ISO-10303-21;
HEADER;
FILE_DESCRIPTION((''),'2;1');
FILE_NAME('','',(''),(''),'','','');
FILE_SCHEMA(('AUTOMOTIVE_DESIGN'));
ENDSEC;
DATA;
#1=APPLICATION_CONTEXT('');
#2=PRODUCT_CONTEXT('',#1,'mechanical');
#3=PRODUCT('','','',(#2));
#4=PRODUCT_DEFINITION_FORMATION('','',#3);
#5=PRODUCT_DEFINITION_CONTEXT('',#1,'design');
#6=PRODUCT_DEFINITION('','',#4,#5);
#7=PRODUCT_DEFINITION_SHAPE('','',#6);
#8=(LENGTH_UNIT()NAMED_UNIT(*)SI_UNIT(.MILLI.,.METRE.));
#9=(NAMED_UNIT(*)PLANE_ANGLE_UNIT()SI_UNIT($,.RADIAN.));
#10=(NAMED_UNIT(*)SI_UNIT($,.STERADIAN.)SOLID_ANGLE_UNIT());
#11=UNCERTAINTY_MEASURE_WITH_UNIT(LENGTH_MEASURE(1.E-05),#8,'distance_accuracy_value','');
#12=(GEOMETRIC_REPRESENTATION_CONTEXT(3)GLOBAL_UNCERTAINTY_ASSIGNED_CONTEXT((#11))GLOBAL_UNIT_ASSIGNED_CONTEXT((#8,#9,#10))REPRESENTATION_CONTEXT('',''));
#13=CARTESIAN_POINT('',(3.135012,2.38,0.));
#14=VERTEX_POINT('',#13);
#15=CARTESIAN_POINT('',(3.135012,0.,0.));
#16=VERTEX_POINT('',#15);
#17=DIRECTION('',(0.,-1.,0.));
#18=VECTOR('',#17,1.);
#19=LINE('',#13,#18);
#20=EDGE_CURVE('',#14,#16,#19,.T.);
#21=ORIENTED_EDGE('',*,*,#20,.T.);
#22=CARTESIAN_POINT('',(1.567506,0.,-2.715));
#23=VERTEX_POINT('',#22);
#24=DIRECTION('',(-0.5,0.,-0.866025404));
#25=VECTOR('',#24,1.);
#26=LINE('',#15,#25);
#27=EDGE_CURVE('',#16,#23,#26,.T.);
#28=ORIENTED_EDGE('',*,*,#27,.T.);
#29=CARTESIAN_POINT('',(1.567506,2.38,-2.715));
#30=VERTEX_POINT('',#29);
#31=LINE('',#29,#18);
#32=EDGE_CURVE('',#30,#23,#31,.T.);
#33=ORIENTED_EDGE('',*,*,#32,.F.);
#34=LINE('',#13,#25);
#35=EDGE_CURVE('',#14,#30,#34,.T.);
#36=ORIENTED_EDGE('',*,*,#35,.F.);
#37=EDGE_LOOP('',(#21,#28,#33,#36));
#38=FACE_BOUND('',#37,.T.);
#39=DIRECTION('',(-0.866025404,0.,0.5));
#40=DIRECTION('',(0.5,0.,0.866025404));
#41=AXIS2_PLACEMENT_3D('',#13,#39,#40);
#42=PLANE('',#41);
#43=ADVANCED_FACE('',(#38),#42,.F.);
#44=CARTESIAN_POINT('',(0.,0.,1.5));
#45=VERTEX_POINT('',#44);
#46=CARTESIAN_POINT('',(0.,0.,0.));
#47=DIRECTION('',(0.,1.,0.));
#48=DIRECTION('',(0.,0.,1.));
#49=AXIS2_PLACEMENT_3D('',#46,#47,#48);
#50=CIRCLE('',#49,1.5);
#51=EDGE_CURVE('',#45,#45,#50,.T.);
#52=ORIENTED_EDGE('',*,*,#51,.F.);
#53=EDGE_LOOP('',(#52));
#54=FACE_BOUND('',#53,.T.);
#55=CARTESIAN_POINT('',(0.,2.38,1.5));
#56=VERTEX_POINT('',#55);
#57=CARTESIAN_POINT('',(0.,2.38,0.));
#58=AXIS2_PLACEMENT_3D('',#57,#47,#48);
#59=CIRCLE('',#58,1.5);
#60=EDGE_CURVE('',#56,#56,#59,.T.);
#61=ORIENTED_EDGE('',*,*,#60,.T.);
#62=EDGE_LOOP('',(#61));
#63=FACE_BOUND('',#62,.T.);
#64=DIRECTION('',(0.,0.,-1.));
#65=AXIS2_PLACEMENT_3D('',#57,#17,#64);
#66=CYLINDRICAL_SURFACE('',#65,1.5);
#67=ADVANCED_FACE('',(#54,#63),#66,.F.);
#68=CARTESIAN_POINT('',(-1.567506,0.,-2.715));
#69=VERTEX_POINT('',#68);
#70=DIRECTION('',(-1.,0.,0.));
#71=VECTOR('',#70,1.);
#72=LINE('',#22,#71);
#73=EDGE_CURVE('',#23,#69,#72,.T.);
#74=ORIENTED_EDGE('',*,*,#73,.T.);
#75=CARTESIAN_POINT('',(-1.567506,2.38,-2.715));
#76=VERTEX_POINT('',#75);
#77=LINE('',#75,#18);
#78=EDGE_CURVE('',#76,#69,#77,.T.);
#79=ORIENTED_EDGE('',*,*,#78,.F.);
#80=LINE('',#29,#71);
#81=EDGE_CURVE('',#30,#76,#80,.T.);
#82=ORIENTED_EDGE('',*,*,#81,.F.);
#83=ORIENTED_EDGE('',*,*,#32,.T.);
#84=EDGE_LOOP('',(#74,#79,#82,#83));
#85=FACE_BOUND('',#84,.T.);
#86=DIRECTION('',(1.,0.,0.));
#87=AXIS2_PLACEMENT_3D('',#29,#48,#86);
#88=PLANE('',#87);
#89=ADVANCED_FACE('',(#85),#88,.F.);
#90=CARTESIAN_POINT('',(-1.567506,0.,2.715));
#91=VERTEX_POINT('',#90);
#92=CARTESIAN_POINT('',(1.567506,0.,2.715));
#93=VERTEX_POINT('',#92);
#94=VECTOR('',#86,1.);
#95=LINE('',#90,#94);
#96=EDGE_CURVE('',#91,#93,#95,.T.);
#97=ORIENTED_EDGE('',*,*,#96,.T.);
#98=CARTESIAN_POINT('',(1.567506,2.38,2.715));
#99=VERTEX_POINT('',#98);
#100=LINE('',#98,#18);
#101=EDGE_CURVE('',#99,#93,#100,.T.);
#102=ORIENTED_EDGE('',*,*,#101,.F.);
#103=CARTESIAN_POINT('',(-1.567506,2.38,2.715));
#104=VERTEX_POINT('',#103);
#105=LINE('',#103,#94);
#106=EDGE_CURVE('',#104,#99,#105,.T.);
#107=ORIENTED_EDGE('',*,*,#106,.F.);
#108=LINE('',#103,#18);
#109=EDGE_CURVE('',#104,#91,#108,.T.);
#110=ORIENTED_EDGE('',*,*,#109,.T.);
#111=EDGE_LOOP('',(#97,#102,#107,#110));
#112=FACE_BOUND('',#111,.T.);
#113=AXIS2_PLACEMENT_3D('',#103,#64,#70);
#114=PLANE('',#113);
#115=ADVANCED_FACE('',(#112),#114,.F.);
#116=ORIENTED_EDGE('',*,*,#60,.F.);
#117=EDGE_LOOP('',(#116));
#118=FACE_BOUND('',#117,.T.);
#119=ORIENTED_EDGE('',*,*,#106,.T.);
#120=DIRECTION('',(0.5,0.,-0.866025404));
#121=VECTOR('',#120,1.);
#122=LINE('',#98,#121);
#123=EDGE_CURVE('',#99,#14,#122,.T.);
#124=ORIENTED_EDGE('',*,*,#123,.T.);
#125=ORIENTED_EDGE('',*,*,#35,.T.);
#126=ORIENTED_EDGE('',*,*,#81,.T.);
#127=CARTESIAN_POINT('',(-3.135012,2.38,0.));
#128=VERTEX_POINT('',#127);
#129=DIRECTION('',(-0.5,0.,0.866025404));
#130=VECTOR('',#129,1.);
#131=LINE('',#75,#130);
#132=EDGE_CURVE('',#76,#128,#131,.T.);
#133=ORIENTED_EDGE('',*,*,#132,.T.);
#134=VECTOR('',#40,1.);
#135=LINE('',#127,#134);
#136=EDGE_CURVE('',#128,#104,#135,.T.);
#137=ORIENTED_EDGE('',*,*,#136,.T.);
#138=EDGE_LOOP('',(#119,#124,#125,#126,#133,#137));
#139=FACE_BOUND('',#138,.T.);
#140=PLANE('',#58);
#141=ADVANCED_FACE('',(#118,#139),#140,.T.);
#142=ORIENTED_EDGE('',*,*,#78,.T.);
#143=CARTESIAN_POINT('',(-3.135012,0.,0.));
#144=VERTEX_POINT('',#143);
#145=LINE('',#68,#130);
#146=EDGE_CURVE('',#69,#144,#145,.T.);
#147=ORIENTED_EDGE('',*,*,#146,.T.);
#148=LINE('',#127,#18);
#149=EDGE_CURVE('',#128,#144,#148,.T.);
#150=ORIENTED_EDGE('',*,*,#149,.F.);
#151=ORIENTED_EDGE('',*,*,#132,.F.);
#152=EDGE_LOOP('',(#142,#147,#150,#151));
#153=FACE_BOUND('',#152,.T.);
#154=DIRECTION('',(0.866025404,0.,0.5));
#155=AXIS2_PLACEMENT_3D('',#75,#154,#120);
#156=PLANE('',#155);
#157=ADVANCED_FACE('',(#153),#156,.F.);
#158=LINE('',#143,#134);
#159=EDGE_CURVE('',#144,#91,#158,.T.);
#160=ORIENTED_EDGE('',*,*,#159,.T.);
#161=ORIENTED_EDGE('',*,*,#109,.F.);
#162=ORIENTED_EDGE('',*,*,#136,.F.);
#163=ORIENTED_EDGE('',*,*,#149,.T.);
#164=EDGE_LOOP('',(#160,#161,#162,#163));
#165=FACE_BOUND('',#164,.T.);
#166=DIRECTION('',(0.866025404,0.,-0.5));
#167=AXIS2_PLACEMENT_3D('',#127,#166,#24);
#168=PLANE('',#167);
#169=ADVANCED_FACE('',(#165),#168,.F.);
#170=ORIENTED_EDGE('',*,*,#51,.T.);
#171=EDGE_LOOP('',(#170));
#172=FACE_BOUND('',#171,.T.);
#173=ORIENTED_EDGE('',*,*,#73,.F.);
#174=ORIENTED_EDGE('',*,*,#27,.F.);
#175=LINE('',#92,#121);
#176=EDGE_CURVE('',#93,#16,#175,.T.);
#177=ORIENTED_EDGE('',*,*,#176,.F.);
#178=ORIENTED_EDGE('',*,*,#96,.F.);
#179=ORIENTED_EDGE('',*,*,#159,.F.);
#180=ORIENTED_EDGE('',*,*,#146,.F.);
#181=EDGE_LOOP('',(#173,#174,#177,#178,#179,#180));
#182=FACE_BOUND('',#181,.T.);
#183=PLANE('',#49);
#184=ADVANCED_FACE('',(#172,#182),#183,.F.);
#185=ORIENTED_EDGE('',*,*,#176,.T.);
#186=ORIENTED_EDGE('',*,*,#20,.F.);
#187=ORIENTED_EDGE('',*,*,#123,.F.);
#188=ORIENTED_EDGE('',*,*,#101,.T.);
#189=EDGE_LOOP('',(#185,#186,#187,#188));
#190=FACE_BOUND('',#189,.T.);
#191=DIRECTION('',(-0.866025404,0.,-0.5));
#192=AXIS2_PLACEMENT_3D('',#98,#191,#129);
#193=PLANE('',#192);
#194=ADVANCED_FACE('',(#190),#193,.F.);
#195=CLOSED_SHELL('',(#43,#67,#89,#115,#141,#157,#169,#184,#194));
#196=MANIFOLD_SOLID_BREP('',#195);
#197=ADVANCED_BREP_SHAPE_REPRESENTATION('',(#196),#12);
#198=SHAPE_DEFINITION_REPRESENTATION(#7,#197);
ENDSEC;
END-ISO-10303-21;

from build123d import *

# Parameters (mm, degrees)
SKETCH1_R           = 1.5
BOSS_EXTRUDE1_DEPTH = 2.38


with BuildPart() as part:
    # Sketch1 → Boss-Extrude1 (new body)
    with BuildSketch(Plane(origin=(0, 0, 0), x_dir=(1, 0, 0), z_dir=(0, 1, 0))):
        Polygon((3.135011962, 0), (1.567505981, 2.715), (-1.567505981, 2.715), (-3.135011962, 0), (-1.567505981, -2.715), (1.567505981, -2.715), align=None)
        Circle(SKETCH1_R, mode=Mode.SUBTRACT)
    extrude(amount=BOSS_EXTRUDE1_DEPTH)


solid = part.part
